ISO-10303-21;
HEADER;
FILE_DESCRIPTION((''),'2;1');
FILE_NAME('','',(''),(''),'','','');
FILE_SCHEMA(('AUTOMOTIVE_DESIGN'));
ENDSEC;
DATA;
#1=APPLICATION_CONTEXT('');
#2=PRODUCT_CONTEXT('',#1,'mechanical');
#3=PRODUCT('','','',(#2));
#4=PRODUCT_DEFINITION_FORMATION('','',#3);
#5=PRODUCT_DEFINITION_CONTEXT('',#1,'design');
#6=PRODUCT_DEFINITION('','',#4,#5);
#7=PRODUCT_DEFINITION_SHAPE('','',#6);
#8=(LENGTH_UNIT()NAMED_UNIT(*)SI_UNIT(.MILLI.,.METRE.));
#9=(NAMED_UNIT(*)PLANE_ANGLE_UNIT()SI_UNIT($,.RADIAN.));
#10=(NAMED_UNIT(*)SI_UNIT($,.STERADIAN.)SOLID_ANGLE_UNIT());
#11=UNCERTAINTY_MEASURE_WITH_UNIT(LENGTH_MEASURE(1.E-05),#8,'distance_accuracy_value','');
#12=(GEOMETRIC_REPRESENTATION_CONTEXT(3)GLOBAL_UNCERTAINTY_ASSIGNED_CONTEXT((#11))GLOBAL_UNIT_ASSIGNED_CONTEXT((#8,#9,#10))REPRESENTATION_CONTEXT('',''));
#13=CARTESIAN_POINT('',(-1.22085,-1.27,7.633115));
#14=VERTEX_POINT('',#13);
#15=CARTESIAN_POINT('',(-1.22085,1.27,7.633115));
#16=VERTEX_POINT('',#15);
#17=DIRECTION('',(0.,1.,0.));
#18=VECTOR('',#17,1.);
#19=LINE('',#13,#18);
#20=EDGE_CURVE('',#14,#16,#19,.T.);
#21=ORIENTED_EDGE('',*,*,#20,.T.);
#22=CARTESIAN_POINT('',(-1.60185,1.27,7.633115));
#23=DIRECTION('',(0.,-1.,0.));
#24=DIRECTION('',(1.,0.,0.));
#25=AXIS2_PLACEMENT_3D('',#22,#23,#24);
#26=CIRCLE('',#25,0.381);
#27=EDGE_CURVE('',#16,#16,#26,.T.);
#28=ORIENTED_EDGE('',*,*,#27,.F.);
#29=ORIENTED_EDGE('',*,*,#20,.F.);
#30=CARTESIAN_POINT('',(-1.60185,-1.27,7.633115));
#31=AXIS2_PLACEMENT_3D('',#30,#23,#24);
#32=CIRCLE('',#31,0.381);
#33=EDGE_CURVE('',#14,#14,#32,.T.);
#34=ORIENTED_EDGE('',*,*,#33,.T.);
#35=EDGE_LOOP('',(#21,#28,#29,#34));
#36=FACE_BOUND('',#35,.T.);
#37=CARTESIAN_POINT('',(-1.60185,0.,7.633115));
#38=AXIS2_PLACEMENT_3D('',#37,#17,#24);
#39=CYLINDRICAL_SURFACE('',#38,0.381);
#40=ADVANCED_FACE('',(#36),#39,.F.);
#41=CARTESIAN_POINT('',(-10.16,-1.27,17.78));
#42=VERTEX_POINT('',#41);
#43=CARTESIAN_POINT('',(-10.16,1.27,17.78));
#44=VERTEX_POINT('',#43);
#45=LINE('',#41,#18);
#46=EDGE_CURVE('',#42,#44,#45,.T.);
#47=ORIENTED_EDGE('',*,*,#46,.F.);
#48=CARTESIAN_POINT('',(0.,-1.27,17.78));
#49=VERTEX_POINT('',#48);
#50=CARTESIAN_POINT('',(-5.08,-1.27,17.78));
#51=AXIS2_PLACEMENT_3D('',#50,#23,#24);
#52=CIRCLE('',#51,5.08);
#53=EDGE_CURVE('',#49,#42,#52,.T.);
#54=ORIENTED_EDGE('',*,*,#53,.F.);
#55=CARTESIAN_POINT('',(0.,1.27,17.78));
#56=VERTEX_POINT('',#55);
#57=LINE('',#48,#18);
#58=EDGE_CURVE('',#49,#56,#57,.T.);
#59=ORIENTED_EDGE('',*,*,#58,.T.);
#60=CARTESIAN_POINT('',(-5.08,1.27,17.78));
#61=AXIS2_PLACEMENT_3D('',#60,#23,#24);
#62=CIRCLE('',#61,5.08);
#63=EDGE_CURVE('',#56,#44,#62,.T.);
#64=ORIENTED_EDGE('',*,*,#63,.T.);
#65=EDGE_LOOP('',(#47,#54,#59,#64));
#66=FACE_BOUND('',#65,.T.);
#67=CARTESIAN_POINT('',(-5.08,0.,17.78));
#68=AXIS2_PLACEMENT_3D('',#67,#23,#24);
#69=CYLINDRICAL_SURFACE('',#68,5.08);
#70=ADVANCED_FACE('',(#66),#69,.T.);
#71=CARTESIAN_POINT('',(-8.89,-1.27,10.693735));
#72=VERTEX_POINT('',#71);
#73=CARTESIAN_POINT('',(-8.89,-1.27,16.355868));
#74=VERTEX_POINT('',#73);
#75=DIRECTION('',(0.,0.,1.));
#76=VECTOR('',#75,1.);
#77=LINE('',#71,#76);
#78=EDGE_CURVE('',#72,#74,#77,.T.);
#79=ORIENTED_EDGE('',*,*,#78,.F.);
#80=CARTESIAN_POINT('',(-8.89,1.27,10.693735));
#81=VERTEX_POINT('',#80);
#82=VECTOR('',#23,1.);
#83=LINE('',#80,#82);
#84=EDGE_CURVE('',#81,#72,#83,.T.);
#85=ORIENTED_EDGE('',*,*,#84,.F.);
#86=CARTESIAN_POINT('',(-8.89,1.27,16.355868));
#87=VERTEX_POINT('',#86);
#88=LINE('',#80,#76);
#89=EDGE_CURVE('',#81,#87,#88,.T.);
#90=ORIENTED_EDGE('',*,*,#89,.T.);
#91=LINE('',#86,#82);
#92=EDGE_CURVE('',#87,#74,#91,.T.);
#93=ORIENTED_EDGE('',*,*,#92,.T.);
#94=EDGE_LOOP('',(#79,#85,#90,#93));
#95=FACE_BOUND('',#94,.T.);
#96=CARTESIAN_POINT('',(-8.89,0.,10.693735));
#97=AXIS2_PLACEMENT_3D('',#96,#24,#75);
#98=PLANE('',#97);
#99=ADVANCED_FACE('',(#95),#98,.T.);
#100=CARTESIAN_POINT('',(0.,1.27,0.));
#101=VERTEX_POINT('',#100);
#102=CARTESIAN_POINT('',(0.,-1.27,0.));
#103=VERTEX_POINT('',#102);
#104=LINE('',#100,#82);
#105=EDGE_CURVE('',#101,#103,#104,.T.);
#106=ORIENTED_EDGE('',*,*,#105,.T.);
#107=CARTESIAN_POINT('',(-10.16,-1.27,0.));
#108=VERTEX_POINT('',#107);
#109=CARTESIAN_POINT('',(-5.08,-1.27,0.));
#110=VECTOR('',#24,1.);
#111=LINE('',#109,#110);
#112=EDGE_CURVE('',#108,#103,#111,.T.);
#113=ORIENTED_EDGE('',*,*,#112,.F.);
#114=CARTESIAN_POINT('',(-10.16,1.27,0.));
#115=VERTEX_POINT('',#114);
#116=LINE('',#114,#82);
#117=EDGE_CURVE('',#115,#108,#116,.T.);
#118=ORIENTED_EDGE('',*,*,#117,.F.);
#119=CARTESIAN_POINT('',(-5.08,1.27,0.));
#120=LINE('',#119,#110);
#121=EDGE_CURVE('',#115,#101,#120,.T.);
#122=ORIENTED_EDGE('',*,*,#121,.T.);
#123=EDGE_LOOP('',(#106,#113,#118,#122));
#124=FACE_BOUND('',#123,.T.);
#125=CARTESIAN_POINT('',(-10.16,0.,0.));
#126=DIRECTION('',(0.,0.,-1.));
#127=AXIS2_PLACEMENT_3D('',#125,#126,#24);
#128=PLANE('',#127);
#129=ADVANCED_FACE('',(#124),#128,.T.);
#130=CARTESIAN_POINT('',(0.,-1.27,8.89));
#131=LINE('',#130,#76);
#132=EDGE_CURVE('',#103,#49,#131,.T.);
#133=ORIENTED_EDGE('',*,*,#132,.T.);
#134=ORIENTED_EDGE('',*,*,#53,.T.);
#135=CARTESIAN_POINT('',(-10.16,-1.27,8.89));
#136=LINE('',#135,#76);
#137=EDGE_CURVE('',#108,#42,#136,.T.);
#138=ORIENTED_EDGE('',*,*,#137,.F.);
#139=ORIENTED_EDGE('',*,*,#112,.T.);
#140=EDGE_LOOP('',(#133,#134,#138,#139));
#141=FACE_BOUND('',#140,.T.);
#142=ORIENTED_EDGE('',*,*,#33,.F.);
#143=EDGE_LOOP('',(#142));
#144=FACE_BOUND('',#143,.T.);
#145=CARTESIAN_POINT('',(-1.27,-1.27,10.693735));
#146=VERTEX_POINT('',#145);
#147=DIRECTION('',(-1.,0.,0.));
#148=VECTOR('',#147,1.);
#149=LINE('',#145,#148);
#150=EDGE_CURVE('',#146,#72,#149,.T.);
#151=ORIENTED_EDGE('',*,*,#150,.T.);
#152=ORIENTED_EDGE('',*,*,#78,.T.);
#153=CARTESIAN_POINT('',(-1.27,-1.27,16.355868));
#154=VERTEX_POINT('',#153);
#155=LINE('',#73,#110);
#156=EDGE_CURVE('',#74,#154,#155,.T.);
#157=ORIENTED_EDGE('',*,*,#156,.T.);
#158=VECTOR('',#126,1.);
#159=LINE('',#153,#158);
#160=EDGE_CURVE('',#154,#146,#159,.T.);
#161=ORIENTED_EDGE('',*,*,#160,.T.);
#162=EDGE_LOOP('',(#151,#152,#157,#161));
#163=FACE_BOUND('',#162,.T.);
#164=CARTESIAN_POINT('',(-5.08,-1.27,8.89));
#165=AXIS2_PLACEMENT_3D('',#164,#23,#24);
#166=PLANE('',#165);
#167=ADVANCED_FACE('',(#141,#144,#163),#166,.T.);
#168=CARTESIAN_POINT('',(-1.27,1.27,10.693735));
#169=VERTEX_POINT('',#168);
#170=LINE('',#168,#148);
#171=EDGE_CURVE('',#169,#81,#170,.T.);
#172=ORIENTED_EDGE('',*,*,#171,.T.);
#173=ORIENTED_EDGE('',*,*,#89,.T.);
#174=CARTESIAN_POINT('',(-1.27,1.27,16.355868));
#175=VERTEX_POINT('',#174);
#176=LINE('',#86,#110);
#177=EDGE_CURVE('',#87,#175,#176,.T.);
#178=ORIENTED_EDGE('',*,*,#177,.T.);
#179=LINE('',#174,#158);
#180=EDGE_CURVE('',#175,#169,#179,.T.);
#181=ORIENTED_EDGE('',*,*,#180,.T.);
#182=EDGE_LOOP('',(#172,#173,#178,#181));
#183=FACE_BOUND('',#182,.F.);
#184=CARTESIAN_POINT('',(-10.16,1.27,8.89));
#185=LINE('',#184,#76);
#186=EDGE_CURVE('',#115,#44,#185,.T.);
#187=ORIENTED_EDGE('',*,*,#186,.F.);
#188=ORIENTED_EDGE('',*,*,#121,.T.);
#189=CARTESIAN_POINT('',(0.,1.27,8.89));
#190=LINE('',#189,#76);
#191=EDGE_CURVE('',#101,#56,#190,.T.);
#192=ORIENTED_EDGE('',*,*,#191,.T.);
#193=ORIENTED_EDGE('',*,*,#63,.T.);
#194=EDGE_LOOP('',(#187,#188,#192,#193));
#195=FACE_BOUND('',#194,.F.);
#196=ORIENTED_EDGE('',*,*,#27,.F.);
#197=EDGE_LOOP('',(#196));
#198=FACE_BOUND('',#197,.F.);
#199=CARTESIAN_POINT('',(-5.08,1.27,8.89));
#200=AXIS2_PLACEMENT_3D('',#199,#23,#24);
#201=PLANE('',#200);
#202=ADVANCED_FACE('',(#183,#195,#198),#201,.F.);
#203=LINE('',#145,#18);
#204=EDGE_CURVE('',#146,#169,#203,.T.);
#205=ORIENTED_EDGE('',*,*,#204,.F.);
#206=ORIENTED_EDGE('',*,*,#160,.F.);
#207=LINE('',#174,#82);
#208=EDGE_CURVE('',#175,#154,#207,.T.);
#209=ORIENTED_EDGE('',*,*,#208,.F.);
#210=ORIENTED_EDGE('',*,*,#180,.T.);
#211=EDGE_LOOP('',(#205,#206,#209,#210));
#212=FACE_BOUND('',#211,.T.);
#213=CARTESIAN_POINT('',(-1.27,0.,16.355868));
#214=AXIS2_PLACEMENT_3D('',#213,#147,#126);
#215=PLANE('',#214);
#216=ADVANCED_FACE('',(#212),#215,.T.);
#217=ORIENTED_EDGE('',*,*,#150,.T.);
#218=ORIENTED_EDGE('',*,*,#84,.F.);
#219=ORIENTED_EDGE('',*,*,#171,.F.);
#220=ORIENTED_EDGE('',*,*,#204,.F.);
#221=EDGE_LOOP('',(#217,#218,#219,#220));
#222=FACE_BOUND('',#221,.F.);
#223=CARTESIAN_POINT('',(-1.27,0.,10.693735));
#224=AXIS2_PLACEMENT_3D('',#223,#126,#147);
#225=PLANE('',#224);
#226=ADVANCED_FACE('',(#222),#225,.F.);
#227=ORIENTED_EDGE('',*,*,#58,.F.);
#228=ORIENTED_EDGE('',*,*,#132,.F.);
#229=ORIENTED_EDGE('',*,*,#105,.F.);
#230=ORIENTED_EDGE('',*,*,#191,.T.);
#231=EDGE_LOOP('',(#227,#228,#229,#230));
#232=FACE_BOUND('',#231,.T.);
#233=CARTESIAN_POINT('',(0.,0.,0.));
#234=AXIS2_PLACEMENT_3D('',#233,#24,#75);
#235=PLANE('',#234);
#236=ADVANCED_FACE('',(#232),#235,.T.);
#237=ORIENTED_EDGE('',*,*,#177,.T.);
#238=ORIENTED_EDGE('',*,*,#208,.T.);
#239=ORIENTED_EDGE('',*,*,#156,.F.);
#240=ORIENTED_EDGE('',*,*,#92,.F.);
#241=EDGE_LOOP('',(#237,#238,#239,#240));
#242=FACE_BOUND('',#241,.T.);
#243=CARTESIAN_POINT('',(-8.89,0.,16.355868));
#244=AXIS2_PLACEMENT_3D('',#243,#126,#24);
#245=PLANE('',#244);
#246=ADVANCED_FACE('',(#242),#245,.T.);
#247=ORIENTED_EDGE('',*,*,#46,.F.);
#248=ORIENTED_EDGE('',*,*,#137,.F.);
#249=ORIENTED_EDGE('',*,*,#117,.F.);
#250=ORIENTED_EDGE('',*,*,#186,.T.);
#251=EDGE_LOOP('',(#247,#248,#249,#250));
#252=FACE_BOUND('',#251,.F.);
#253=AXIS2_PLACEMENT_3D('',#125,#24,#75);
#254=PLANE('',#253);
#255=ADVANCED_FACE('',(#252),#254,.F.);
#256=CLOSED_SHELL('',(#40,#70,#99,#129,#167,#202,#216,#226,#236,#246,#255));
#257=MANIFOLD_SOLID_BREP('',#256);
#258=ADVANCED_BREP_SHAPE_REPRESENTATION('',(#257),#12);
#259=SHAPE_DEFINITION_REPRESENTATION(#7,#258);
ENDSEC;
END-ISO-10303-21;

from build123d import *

# Parameters (mm, degrees)
F0_W     = 10.16
F0_H     = 17.78
F0_R     = 0.381
F1_DEPTH = 1.27


with BuildPart() as f1:
    # F0 (on Front) → F1 (new body, symmetric)
    with BuildSketch(Plane.XZ):
        with Locations((-5.08, 8.89)):
            Rectangle(F0_W, F0_H)
        with Locations((-1.60185, 7.633115)):
            Circle(F0_R, mode=Mode.SUBTRACT)
        Polygon((-8.89, 13.524802), (-8.89, 16.355868), (-5.08, 16.355868), (-1.27, 16.355868), (-1.27, 13.524802), (-1.27, 10.693735), (-5.08, 10.693735), (-8.89, 10.693735), align=None, mode=Mode.SUBTRACT)
        with BuildLine():
            Line((-10.16, 17.78), (0, 17.78))
            ThreePointArc((0, 17.78), (-5.08, 22.86), (-10.16, 17.78))
        make_face()
    extrude(amount=F1_DEPTH, both=True)


solid = f1.part
